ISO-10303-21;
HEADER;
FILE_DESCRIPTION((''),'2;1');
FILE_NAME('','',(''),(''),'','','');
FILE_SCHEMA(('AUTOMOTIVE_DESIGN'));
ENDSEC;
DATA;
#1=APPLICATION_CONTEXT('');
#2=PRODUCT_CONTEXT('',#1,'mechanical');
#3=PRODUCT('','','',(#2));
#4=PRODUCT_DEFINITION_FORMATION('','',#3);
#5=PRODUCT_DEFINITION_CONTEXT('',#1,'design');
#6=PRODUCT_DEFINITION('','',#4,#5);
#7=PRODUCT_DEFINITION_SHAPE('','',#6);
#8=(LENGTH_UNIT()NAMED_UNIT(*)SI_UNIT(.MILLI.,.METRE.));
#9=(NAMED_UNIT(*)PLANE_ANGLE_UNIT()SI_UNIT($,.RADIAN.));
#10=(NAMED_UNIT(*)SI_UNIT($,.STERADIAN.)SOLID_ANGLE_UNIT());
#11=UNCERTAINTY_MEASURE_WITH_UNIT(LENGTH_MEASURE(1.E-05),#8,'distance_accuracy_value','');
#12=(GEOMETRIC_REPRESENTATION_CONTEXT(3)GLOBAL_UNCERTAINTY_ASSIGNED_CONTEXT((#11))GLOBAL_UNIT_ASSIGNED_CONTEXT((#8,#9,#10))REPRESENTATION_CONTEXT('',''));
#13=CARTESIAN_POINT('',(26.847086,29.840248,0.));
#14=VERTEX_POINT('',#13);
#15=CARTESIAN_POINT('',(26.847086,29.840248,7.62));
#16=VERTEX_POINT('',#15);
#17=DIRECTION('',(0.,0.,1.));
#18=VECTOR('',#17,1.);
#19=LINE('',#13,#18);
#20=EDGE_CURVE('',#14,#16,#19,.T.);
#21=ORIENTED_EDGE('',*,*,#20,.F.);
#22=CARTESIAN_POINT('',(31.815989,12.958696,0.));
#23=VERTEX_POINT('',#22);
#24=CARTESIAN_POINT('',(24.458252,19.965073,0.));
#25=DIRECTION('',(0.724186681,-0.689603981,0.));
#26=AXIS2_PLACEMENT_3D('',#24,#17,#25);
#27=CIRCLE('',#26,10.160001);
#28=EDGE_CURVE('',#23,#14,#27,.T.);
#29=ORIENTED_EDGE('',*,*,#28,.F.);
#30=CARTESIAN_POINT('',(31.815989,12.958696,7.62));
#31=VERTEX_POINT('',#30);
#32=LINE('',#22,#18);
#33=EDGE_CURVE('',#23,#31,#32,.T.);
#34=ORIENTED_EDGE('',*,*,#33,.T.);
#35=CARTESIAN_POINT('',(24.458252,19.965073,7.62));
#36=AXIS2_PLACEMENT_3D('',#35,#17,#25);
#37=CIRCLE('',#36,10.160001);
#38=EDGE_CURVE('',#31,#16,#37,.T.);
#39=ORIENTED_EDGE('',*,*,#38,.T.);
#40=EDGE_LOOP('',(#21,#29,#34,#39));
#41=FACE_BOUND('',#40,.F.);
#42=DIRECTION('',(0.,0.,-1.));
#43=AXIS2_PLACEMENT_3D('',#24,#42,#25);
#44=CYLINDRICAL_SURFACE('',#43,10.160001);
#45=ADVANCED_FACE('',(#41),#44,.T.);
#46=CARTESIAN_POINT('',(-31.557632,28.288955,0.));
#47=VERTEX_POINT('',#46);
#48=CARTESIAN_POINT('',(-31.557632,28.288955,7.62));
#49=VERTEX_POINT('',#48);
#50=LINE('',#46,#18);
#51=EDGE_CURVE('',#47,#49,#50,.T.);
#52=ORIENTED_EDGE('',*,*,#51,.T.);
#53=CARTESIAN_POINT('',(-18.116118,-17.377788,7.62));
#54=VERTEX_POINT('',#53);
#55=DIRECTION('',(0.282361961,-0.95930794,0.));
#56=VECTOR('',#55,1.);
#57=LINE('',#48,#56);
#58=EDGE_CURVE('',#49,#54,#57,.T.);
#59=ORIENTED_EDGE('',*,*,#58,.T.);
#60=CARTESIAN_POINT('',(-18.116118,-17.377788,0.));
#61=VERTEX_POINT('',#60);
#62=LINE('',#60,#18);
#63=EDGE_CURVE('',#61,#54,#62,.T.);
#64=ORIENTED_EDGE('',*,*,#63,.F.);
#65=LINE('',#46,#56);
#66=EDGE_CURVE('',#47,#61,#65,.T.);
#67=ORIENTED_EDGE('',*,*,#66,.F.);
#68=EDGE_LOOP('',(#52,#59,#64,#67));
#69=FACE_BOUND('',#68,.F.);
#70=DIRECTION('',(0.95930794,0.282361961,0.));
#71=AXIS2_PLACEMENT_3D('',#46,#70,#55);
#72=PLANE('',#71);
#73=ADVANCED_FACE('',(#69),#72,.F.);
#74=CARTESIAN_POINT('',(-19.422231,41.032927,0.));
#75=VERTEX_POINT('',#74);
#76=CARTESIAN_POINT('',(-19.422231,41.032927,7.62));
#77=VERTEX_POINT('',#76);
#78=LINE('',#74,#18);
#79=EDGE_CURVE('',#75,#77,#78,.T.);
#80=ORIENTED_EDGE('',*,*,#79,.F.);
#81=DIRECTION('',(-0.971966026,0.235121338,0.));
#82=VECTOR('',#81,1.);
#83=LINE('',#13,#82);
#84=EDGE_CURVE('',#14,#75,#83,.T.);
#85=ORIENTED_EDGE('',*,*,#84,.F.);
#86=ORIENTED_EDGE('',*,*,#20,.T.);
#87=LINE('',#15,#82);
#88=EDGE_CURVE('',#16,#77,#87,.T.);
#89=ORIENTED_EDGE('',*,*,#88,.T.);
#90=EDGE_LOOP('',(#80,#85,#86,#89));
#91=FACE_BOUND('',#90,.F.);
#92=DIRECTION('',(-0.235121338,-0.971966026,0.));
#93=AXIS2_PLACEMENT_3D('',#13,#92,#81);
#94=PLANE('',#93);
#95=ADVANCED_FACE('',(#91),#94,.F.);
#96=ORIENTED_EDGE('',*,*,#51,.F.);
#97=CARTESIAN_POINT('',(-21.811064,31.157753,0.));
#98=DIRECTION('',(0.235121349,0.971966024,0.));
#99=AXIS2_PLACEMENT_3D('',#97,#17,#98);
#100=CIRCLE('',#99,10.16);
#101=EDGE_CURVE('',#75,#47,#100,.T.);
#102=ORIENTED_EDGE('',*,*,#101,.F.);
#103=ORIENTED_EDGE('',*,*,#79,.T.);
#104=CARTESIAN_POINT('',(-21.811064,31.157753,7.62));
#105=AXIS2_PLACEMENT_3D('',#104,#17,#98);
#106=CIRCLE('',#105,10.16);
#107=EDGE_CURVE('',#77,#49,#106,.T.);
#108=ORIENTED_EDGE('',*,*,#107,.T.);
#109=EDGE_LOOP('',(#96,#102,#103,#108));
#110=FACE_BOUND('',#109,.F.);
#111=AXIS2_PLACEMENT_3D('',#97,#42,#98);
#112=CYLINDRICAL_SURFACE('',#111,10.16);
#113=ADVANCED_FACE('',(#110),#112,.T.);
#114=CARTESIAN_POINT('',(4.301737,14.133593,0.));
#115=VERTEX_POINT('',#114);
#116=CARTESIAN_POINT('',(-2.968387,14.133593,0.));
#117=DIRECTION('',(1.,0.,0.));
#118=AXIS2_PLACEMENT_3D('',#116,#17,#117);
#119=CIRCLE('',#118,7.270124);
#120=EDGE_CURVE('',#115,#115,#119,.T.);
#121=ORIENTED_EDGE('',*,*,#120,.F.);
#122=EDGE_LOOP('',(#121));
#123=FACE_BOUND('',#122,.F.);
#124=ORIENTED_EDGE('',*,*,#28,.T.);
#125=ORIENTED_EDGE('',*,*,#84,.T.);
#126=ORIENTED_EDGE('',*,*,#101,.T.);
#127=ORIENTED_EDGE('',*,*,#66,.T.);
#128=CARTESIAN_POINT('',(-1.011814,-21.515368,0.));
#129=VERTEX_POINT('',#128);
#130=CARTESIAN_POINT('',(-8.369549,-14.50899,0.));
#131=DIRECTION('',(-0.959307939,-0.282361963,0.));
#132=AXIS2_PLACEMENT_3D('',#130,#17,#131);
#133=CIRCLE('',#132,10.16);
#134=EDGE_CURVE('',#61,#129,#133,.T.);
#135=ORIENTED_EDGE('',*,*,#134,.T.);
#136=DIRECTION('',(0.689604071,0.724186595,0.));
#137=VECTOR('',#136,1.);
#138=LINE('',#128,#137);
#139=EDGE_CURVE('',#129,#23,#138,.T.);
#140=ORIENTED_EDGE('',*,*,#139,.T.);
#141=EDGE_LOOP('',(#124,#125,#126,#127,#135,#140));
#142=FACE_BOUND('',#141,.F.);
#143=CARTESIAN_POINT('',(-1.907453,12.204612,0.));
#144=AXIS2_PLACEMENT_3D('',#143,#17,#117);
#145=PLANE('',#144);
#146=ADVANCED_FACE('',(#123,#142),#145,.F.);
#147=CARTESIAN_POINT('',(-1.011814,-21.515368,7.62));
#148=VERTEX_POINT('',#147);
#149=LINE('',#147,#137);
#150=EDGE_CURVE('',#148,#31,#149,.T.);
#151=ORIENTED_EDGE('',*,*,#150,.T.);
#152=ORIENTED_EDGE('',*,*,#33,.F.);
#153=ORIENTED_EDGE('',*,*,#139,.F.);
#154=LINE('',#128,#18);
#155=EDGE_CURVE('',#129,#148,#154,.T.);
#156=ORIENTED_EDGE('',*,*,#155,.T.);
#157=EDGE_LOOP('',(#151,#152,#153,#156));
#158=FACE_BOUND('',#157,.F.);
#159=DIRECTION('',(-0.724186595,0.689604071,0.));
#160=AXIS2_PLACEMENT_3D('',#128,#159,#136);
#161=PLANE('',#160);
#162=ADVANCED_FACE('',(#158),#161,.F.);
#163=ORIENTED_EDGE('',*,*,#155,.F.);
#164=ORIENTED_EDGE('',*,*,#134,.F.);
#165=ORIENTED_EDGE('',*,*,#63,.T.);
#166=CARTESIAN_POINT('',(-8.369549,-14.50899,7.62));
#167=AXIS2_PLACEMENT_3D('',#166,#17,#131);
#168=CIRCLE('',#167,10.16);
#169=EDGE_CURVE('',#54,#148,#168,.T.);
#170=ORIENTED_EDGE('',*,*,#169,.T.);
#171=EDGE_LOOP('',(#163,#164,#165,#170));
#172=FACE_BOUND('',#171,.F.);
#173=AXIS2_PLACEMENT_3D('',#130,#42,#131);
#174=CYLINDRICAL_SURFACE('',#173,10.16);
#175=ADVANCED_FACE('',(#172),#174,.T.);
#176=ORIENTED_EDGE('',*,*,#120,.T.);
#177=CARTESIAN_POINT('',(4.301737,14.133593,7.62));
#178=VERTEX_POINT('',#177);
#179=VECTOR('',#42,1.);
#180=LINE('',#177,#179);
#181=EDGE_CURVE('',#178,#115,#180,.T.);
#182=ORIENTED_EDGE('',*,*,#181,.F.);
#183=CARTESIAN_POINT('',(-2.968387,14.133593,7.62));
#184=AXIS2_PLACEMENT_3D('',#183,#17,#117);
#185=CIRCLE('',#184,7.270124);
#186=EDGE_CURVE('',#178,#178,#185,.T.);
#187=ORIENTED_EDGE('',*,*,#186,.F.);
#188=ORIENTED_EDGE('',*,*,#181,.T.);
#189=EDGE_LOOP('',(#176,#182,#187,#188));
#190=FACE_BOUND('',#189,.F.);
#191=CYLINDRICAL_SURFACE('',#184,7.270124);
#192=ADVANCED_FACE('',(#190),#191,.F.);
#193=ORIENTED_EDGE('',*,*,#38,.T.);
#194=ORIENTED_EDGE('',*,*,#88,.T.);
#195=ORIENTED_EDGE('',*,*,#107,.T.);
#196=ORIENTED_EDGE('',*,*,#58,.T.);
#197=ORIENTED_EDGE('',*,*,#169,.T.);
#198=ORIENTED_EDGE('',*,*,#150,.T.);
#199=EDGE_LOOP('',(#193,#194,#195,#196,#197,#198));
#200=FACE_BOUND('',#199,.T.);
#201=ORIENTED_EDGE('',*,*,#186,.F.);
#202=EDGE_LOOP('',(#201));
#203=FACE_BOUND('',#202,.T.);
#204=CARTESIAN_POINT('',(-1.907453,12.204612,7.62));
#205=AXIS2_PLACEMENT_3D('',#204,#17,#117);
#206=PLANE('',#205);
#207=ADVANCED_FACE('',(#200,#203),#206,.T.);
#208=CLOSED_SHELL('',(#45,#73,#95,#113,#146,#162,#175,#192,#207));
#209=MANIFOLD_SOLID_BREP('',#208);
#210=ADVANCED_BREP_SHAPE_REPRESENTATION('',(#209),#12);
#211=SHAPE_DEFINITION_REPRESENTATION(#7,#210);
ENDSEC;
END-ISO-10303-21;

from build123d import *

# Parameters (mm, degrees)
F1_DEPTH = 7.62
F2_R     = 7.270124
F3_DEPTH = 25.4


with BuildPart() as f1:
    # F0 (on Top) → F1 (new body)
    with BuildSketch(Plane.XY):
        with BuildLine():
            ThreePointArc((-19.422231, 41.032927), (-29.168799, 38.16413), (-31.557632, 28.288955))
            Line((-31.557632, 28.288955), (-18.116118, -17.377788))
            ThreePointArc((-18.116118, -17.377788), (-10.758383, -24.384165), (-1.011814, -21.515368))
            Line((-1.011814, -21.515368), (31.815989, 12.958696))
            ThreePointArc((31.815989, 12.958696), (34.204821, 22.833871), (26.847086, 29.840248))
            Line((26.847086, 29.840248), (-19.422231, 41.032927))
        make_face()
    extrude(amount=F1_DEPTH)

    # F2 (on face) → F3 (cut)
    with BuildSketch(Plane.XY.offset(7.62)):
        with Locations((-2.968387, 14.133593)):
            Circle(F2_R)
    extrude(amount=-F3_DEPTH, mode=Mode.SUBTRACT)


solid = f1.part
